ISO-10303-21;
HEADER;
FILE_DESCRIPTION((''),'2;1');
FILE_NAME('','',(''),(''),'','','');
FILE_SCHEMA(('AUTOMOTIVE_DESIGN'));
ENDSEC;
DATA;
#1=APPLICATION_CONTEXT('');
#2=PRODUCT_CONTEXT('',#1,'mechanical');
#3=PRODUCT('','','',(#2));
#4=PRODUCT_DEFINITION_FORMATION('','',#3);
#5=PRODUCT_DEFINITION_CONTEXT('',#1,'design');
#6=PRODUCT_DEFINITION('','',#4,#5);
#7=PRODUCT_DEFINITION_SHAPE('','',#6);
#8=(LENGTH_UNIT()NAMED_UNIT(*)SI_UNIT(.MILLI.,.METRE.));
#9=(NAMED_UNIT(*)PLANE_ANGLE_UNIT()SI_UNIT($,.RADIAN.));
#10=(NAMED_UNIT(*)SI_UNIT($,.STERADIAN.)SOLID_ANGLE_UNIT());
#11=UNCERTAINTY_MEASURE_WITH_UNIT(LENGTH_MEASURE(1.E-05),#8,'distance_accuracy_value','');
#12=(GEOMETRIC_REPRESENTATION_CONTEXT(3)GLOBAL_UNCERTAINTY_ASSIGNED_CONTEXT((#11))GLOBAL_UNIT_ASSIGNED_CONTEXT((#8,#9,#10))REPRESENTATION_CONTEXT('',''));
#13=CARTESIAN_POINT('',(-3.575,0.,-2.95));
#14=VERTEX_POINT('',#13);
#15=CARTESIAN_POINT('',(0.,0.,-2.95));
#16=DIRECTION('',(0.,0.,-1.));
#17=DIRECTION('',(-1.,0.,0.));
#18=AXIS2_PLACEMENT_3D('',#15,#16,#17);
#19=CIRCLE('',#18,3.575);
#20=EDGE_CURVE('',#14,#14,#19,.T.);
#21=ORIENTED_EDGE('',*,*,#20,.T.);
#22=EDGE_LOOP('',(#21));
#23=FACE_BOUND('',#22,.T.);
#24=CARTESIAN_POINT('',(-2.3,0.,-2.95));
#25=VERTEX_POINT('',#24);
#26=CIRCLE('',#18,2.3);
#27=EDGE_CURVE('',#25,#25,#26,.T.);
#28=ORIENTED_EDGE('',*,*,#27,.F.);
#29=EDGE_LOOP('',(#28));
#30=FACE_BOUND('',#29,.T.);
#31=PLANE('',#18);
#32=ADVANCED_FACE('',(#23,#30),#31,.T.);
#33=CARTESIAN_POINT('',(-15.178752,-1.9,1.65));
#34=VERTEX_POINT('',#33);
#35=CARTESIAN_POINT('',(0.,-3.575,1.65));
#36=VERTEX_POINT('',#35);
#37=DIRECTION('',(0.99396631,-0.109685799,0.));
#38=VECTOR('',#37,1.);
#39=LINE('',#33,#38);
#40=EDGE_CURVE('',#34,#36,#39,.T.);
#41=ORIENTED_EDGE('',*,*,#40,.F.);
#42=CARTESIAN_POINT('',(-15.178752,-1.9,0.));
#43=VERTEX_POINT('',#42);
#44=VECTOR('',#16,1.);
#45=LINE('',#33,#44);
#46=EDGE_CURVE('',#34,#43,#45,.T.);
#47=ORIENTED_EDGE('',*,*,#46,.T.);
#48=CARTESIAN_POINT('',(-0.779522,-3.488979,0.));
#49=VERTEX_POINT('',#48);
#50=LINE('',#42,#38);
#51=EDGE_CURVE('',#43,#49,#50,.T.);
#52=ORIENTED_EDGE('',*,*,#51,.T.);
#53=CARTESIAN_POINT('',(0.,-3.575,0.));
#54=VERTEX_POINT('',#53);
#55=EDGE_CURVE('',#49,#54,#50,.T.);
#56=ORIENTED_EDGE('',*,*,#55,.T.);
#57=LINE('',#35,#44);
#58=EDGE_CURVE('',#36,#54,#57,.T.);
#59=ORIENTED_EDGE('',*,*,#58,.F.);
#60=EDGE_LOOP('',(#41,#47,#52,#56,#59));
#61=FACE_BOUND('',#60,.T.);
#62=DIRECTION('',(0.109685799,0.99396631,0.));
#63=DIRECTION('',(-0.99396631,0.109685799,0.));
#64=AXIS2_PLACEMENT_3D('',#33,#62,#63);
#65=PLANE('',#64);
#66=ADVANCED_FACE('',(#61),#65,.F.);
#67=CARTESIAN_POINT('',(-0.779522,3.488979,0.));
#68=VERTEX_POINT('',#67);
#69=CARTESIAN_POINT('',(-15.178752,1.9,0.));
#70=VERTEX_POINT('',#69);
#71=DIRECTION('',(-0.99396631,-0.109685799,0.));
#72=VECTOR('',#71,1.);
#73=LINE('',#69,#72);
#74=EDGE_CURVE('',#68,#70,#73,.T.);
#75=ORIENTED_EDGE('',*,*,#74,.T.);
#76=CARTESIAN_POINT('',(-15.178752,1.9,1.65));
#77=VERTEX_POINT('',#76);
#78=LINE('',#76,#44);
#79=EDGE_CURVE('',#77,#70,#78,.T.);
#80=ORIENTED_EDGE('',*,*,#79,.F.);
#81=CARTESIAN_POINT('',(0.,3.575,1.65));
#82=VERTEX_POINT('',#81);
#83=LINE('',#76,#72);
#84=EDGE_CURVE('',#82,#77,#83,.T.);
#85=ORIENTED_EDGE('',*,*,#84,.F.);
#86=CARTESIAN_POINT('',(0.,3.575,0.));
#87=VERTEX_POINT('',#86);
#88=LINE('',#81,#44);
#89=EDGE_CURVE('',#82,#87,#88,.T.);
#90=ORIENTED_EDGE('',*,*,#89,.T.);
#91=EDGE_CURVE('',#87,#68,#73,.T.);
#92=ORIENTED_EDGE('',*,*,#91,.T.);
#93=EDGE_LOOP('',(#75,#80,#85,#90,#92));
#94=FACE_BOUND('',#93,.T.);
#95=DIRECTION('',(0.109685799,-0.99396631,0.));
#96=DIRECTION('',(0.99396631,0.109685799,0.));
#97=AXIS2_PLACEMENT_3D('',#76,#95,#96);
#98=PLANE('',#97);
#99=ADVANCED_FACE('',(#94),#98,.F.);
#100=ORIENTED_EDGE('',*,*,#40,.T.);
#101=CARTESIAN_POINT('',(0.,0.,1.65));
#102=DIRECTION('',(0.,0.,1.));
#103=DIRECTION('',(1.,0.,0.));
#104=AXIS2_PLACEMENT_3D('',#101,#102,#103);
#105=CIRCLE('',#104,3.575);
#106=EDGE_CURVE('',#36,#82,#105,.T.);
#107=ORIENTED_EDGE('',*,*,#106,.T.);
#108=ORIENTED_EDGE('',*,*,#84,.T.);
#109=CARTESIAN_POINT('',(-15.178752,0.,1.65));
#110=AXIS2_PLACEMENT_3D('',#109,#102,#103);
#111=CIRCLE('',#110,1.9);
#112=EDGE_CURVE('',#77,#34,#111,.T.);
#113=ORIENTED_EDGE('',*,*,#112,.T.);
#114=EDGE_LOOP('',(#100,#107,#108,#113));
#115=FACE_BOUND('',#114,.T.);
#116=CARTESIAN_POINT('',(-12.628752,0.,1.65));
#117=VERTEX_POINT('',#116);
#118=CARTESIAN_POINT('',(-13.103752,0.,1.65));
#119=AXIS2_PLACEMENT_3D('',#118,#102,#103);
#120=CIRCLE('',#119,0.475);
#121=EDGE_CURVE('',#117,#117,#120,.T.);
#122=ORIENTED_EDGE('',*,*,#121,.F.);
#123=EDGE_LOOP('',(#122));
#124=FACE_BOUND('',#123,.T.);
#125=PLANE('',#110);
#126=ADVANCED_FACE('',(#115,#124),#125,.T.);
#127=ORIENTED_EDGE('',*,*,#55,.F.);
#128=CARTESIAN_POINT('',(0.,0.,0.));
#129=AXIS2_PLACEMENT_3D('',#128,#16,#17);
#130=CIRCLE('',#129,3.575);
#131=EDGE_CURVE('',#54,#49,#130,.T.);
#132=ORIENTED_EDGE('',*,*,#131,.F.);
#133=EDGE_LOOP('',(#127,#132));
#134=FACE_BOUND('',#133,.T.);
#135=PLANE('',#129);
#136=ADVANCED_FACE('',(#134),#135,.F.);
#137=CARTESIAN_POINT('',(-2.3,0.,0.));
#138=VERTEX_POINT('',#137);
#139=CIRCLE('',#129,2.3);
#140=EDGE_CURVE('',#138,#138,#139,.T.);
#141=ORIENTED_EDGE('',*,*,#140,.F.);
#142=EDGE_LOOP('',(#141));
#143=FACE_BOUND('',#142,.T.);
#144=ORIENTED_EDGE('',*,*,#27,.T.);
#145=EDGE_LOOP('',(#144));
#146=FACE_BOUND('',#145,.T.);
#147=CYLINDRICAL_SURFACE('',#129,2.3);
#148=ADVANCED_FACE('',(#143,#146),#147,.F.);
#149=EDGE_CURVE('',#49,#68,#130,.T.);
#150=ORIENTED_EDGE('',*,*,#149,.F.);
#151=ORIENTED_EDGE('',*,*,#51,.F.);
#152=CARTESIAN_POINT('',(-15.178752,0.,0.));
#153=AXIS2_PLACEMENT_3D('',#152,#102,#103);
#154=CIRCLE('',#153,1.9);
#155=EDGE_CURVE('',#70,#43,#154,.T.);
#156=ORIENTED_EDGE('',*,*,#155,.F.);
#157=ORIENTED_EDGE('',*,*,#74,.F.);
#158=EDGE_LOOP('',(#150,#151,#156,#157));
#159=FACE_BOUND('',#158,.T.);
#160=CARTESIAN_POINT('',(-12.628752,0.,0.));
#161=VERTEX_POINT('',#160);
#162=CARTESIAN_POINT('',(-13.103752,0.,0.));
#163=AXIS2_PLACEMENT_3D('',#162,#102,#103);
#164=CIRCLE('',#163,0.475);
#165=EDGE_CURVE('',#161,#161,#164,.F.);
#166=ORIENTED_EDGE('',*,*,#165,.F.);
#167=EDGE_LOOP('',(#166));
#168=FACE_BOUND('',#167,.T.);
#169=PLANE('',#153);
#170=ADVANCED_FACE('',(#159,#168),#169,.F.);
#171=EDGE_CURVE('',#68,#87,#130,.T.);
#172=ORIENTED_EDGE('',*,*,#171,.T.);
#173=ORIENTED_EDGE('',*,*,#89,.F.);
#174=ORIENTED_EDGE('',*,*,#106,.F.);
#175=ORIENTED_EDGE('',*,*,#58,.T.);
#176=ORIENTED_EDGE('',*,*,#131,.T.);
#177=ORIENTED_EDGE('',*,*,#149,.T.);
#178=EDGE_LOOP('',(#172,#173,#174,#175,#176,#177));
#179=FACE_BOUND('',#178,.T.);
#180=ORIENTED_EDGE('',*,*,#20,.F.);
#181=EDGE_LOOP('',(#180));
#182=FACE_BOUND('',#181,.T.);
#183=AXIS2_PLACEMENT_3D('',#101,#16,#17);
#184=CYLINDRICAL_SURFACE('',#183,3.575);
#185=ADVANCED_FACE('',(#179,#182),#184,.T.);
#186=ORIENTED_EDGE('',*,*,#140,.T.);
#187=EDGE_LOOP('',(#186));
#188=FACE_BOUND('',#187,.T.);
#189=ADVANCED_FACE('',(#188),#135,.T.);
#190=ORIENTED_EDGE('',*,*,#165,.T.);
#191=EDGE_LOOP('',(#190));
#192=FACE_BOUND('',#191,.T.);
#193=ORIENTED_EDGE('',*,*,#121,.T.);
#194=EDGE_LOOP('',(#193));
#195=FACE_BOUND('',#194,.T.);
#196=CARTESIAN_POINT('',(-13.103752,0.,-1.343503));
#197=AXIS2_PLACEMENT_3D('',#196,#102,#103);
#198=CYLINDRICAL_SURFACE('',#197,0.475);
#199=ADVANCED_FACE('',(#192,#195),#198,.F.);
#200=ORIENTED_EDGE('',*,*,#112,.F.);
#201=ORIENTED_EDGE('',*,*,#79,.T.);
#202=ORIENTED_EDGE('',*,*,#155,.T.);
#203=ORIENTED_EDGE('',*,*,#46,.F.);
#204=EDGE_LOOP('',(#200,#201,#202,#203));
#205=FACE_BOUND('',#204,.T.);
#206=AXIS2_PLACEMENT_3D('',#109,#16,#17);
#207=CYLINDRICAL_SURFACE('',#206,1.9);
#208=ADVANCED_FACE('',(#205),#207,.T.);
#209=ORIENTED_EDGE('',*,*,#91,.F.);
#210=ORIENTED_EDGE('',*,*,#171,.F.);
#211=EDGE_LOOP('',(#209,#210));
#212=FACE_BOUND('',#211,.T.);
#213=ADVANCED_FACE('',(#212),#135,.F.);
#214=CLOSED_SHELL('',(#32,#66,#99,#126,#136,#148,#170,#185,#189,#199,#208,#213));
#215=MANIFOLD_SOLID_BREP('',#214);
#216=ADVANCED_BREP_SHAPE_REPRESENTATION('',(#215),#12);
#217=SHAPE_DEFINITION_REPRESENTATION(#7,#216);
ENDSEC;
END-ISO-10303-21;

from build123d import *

# Parameters (mm, degrees)
BOSS_EXTRUDE1_DEPTH = 1.65
BOSS_EXTRUDE2_START = 2.95
SKETCH2_R           = 3.575
BOSS_EXTRUDE2_DEPTH = 2.95
SKETCH3_R           = 2.3
CUT_EXTRUDE1_DEPTH  = 2.95
SKETCH4_R           = 0.475
CUT_EXTRUDE2_DEPTH  = 1.65


with BuildPart() as part:
    # Sketch1 → Boss-Extrude1 (new body)
    with BuildSketch(Plane.XY):
        with BuildLine():
            Line((-15.178752219, 1.9), (0, 3.575))
            ThreePointArc((0, 3.575), (3.575, 0), (0, -3.575))
            Line((0, -3.575), (-15.178752219, -1.9))
            ThreePointArc((-15.178752219, -1.9), (-17.078752219, 0), (-15.178752219, 1.9))
        make_face()
    extrude(amount=BOSS_EXTRUDE1_DEPTH)

    # Sketch2 → Boss-Extrude2 (add)
    with BuildSketch(Plane(origin=(0, 0, 0), x_dir=(-1, 0, 0), z_dir=(0, 0, -1)).offset(BOSS_EXTRUDE2_START)):
        Circle(SKETCH2_R)
    extrude(amount=-BOSS_EXTRUDE2_DEPTH)

    # Sketch3 → Cut-Extrude1 (cut)
    with BuildSketch(Plane(origin=(0, 0, -2.95), x_dir=(-1, 0, 0), z_dir=(0, 0, -1))):
        Circle(SKETCH3_R)
    extrude(amount=-CUT_EXTRUDE1_DEPTH, mode=Mode.SUBTRACT)

    # Sketch4 → Cut-Extrude2 (cut)
    with BuildSketch(Plane.XY.offset(1.65)):
        with Locations((-13.103752219, 0)):
            Circle(SKETCH4_R)
    extrude(amount=-CUT_EXTRUDE2_DEPTH, mode=Mode.SUBTRACT)


solid = part.part
